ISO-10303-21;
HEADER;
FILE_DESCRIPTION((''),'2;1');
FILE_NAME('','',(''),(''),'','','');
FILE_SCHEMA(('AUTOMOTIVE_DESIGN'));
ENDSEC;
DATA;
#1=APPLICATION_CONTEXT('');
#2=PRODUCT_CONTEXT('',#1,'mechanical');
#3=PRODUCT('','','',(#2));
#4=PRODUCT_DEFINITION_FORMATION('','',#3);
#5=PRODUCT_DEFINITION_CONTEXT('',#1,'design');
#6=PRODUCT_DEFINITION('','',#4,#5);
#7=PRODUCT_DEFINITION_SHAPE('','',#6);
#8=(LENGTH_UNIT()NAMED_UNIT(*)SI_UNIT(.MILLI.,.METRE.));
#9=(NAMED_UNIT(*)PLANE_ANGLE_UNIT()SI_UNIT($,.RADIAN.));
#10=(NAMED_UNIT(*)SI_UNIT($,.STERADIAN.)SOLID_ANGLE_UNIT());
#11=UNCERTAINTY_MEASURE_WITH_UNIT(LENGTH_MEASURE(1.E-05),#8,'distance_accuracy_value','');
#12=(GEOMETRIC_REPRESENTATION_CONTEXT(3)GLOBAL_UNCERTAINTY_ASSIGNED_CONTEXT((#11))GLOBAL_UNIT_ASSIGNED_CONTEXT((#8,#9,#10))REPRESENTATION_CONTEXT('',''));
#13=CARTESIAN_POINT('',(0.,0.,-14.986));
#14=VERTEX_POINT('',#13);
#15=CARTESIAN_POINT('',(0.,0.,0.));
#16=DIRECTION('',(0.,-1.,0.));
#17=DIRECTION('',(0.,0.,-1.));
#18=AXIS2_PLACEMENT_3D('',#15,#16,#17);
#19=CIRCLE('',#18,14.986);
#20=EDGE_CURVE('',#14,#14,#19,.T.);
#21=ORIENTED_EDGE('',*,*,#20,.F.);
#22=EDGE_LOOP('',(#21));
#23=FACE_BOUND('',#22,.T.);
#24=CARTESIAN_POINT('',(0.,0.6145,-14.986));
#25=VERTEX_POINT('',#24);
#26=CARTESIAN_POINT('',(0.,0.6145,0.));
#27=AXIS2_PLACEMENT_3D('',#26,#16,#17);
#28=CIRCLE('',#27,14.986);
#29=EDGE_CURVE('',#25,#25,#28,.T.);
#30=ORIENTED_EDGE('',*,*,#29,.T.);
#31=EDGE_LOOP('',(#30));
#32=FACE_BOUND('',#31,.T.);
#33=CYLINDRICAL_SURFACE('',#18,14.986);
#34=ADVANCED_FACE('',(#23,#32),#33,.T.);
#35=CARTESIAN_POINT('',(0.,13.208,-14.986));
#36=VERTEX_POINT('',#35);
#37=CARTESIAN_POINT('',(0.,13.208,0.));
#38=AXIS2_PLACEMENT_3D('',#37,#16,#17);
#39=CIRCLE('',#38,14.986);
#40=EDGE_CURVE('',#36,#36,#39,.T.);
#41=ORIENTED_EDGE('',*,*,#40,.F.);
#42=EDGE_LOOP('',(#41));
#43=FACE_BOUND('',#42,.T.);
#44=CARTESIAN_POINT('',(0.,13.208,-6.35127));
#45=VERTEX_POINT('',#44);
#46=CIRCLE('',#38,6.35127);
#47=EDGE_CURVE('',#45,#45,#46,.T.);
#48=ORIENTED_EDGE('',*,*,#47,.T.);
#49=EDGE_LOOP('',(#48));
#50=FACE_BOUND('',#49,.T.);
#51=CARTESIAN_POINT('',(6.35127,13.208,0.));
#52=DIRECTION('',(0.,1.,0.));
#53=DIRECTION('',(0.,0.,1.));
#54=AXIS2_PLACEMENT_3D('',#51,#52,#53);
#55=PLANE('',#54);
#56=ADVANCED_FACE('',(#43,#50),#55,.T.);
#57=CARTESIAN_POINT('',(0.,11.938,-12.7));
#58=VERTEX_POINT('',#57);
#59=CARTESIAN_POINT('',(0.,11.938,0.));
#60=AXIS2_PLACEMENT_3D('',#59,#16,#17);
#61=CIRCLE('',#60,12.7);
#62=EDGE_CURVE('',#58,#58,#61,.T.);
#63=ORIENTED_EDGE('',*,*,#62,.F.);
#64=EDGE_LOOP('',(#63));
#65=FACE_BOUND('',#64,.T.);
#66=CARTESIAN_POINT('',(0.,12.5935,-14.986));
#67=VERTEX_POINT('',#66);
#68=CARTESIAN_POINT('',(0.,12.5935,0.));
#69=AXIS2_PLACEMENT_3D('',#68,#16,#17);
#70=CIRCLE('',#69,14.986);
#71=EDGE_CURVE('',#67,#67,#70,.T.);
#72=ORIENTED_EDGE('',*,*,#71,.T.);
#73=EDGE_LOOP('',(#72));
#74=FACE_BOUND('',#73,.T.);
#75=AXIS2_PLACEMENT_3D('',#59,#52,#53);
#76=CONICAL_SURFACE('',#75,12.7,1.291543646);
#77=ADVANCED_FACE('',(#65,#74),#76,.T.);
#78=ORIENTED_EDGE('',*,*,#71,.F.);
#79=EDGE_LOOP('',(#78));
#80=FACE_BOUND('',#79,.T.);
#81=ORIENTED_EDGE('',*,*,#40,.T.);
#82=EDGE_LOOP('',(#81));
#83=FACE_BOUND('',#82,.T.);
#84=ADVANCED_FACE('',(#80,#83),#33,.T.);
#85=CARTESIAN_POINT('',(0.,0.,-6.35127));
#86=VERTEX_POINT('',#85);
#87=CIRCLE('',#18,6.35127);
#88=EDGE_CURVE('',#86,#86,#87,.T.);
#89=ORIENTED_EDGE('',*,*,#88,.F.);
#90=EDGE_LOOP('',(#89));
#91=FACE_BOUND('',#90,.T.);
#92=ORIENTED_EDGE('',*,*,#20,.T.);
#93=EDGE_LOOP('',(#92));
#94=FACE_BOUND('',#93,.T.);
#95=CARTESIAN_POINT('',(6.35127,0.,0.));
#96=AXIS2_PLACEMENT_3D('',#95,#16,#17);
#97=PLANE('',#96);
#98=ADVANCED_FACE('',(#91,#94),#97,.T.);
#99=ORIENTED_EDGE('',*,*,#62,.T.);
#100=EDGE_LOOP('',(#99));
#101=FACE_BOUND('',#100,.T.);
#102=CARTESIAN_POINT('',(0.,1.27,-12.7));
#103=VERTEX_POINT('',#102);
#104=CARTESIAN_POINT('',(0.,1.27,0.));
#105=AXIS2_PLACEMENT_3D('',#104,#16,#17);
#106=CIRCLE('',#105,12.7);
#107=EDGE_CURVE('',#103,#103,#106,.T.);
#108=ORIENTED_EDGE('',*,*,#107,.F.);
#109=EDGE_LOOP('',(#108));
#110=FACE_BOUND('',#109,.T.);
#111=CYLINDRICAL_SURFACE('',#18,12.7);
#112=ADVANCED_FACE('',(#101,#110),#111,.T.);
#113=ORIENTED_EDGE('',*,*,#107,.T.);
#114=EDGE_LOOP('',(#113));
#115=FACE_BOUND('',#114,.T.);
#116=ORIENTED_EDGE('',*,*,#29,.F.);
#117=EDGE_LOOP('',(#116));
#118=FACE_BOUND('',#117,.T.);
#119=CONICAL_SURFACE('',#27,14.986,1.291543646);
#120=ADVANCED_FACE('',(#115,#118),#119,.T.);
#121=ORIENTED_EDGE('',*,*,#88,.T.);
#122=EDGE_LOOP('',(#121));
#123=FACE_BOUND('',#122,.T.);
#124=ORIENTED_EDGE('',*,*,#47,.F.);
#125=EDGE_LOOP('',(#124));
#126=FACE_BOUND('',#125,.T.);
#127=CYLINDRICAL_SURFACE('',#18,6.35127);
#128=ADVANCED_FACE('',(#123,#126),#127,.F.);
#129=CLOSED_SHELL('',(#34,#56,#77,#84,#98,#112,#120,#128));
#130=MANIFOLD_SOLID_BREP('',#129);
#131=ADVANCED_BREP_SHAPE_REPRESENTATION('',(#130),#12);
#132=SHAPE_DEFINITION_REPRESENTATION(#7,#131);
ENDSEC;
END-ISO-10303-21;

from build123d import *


with BuildPart() as part:
    # Sketch1 → Revolve1 (revolve)
    with BuildSketch(Plane.XY):
        Polygon((6.35127, 0), (6.35127, 13.208), (14.986, 13.208), (14.986, 12.593499952), (12.7, 11.938), (12.7, 1.27), (14.986, 0.614500048), (14.986, 0), align=None)
    revolve(axis=Axis((0, 0, 0), (0, 1, 0)))


solid = part.part
